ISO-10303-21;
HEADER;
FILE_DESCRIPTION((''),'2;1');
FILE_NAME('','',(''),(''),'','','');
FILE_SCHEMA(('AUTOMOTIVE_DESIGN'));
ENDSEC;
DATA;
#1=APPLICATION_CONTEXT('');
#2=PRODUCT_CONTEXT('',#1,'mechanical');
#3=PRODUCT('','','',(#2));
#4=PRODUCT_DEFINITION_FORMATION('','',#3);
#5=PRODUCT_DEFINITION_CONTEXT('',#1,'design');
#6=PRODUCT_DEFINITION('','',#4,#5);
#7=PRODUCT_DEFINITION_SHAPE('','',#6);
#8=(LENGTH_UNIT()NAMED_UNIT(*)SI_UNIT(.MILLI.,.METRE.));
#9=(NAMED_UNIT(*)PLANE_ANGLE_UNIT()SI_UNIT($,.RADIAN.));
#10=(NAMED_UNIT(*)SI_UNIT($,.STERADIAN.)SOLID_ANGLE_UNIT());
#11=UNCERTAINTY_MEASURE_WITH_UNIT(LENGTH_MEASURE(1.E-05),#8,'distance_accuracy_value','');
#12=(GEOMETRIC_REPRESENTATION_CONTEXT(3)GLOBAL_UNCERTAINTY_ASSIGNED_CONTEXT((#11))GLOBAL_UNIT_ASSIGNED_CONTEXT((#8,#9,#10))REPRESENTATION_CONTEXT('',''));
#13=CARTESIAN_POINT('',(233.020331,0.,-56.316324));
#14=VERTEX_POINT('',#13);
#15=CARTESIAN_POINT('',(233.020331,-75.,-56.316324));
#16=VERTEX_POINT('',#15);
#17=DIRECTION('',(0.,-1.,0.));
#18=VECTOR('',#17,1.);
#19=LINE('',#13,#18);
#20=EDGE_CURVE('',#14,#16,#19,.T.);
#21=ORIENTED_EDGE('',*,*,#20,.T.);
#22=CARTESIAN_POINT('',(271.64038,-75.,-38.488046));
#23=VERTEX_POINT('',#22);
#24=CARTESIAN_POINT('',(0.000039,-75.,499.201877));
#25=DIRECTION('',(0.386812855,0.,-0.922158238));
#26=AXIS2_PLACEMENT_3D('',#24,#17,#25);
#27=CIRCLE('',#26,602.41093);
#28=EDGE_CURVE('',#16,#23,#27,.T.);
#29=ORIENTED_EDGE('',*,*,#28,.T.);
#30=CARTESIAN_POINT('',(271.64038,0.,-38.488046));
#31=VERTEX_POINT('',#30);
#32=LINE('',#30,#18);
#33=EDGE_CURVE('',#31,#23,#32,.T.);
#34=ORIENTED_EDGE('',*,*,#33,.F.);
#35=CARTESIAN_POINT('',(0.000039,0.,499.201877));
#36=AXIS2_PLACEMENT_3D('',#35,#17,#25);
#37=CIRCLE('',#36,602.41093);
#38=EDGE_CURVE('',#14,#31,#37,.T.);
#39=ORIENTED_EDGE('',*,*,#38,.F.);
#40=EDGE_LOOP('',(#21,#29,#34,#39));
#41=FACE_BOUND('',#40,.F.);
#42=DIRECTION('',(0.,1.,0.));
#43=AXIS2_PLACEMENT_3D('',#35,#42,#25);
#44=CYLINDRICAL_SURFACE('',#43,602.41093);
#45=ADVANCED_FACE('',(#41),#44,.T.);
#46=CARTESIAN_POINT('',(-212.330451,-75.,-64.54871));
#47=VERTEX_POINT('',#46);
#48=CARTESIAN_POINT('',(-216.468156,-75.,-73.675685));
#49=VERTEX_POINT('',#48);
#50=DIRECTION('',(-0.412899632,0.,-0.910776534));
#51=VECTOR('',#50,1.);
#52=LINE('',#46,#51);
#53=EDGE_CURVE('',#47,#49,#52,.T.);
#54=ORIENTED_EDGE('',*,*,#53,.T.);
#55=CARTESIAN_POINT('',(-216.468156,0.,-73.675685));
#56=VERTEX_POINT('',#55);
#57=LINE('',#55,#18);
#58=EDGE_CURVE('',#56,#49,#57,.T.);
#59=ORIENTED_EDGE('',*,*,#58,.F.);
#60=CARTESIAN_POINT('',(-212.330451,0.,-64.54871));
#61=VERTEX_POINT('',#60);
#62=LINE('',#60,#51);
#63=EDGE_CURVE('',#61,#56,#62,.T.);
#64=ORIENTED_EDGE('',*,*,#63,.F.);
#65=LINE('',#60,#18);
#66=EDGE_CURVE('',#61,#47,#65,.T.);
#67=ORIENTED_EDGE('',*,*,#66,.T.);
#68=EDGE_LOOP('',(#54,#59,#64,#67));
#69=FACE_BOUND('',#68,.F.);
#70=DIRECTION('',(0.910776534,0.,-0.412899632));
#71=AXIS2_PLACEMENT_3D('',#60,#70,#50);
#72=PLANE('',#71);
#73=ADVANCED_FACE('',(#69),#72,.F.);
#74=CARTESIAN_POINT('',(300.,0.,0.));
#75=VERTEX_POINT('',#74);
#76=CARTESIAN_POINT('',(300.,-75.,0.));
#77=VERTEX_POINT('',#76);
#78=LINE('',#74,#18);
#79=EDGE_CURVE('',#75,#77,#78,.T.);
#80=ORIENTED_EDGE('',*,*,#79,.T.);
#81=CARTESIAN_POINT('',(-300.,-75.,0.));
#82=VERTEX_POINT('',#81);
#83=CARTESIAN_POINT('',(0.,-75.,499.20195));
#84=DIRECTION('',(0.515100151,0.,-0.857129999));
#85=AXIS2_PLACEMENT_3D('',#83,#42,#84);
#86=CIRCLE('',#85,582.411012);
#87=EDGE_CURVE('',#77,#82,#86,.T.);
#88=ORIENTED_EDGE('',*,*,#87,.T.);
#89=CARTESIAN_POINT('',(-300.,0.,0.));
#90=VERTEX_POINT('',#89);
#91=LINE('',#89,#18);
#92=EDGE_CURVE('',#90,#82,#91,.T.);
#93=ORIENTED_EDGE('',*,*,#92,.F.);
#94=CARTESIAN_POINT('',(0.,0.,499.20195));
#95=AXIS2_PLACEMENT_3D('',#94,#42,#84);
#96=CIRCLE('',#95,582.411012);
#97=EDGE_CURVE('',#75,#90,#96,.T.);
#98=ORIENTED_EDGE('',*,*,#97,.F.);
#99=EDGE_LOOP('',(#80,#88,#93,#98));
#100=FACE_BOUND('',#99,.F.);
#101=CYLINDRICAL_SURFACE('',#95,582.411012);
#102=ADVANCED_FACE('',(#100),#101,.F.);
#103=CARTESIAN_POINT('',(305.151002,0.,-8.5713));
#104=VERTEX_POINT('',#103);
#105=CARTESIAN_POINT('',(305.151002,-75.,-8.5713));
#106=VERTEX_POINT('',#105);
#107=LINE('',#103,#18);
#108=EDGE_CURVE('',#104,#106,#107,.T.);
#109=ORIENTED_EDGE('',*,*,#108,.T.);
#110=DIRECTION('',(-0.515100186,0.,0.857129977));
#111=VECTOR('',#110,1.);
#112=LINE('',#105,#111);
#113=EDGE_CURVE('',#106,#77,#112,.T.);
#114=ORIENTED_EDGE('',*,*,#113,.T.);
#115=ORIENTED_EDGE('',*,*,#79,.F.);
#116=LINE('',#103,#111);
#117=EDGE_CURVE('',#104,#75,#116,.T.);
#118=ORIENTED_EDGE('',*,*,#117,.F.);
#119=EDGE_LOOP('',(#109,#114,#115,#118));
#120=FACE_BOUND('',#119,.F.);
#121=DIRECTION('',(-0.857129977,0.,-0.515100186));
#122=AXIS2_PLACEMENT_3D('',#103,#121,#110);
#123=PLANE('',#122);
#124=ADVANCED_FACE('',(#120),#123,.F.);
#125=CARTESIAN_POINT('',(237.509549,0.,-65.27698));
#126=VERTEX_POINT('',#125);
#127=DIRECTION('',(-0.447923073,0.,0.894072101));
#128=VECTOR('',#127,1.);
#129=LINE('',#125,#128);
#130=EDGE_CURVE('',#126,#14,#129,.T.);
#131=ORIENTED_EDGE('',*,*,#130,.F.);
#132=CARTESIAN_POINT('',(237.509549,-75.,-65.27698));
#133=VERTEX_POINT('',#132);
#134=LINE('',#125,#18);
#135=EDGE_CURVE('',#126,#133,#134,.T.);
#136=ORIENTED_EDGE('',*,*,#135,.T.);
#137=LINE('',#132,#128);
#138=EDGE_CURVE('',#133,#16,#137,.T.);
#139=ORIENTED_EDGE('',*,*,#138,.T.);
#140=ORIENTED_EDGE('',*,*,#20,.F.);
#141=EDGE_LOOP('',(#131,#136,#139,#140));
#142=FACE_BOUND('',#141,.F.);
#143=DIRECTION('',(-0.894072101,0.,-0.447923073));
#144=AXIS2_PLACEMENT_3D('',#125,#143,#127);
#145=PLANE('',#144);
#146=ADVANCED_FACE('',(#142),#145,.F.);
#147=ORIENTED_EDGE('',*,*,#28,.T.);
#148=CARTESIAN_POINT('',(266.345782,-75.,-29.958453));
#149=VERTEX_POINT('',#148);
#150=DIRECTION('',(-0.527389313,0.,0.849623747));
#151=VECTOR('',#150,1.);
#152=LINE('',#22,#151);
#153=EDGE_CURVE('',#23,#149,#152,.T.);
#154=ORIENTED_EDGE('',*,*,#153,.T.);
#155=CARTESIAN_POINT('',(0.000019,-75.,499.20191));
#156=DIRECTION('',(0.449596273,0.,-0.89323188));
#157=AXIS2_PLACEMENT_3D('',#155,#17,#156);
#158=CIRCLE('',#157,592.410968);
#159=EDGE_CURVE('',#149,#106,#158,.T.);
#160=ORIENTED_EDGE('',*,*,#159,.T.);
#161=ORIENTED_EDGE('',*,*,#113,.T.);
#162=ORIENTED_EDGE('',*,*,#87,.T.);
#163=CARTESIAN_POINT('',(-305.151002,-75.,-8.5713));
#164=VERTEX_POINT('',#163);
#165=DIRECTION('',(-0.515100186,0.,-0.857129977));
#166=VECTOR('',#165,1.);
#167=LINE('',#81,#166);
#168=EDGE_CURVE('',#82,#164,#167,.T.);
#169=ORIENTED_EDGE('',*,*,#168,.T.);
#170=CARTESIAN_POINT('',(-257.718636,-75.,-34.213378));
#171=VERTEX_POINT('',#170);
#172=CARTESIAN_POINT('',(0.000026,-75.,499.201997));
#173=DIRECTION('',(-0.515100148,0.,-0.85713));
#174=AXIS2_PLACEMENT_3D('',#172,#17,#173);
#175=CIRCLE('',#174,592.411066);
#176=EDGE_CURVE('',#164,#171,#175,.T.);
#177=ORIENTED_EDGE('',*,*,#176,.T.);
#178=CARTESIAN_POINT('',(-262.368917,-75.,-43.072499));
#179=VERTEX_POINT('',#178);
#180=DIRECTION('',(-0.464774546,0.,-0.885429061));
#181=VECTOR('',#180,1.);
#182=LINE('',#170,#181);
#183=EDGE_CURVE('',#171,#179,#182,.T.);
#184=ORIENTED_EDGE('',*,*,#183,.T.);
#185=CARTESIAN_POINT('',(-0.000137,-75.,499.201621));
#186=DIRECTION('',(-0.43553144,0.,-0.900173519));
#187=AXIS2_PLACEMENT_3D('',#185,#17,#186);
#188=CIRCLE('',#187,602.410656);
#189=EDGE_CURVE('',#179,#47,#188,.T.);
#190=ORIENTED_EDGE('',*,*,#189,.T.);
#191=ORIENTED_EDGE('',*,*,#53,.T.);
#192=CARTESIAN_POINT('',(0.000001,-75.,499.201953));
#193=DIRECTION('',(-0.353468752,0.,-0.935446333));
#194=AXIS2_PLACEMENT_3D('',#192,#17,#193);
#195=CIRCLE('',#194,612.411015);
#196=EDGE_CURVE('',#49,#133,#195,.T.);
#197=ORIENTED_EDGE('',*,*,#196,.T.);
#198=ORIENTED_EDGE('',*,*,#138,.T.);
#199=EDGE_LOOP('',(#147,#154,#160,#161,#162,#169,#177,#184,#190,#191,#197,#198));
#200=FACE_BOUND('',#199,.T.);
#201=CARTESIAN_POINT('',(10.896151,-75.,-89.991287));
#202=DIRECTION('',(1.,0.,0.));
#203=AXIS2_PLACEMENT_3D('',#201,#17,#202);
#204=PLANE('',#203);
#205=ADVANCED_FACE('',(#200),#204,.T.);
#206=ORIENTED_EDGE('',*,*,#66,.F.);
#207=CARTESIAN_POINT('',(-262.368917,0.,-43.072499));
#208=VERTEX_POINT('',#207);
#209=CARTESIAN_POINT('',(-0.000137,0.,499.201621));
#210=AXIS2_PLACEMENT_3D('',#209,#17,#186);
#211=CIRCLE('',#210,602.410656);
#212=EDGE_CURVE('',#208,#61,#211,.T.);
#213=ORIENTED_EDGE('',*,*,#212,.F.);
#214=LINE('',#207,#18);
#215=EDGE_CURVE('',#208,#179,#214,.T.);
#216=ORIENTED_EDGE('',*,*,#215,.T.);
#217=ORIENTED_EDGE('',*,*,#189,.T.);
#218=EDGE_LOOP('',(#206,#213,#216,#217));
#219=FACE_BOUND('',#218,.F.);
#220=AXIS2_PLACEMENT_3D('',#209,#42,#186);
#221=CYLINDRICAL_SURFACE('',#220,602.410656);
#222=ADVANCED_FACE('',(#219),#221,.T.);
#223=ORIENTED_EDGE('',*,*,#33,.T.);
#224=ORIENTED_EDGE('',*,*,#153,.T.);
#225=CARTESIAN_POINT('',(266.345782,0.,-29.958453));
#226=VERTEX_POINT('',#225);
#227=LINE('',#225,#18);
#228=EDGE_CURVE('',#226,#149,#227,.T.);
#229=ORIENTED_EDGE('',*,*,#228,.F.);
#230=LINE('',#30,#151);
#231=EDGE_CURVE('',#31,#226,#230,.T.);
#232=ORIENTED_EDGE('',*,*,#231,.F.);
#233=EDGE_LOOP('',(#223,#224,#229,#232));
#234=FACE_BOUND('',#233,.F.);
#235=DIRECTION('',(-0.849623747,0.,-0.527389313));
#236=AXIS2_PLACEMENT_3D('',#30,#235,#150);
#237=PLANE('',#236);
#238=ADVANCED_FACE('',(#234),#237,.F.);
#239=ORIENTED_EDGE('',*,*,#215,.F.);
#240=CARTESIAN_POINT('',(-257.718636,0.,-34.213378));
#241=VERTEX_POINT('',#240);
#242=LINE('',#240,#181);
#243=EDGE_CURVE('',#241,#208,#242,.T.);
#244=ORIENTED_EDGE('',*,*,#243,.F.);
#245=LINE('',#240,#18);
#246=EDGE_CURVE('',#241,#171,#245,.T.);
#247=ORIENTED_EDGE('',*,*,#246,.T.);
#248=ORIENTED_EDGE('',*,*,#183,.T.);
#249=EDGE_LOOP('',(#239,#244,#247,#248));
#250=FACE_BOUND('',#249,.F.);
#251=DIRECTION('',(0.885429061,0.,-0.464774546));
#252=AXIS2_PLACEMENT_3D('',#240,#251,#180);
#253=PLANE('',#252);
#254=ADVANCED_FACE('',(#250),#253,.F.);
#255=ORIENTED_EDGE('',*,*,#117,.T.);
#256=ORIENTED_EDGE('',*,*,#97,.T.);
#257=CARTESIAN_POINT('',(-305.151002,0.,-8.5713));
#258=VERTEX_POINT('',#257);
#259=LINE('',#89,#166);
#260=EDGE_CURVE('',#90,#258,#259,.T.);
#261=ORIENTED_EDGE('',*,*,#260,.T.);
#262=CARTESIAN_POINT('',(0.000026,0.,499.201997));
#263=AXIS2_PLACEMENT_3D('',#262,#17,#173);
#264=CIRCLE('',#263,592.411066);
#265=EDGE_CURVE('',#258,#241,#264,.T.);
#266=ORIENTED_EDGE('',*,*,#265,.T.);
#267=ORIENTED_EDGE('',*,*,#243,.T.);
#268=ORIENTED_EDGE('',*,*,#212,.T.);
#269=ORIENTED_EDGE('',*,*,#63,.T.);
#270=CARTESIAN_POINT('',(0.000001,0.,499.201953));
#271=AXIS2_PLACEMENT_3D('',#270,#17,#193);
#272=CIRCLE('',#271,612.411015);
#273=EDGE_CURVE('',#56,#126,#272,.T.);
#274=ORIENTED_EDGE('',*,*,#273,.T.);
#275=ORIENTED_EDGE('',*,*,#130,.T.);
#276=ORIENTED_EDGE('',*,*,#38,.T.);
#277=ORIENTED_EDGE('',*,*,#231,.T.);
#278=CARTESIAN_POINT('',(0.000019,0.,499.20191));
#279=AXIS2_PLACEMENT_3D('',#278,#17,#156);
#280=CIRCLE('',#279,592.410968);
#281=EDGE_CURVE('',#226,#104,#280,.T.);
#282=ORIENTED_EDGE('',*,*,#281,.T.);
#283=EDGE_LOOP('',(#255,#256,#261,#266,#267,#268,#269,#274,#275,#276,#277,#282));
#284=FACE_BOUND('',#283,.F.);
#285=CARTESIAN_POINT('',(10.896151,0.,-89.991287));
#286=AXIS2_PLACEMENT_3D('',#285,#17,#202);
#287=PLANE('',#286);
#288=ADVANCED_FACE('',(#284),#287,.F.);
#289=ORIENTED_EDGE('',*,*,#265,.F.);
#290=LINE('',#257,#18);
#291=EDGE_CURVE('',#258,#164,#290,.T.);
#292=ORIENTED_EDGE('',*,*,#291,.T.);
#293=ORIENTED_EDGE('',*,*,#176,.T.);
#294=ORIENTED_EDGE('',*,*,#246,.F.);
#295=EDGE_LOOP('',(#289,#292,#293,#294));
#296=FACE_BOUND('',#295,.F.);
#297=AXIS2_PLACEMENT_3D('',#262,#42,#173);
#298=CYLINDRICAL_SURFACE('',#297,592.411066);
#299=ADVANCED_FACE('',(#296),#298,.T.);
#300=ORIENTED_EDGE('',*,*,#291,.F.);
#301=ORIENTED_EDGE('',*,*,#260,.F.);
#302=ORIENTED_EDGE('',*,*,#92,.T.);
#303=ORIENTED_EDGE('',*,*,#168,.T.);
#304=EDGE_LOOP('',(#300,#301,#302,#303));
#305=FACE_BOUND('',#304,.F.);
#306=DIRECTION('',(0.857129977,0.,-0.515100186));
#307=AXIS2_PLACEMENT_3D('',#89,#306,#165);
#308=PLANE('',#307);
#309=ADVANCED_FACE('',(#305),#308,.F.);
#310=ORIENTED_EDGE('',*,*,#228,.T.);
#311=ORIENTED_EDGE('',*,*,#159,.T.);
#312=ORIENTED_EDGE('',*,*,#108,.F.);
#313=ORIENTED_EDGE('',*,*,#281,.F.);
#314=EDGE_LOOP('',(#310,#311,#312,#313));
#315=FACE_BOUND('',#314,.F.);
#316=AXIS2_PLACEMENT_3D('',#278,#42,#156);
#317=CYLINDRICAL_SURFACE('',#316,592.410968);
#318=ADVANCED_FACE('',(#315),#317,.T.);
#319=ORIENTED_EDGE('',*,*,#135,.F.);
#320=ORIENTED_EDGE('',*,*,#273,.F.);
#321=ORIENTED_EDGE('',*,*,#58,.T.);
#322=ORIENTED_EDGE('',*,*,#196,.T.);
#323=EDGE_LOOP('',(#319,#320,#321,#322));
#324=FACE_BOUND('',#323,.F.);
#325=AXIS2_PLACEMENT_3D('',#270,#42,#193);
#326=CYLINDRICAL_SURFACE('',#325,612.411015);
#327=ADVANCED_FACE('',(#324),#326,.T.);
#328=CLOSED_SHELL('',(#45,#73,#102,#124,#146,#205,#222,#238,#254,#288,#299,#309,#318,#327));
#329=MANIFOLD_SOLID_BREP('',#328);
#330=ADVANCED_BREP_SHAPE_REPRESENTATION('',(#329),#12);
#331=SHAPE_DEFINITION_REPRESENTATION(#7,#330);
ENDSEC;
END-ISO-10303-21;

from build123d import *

# Parameters (mm, degrees)
F1_DEPTH = 75


with BuildPart() as f1:
    # F0 (on Front) → F1 (new body)
    with BuildSketch(Plane.XZ):
        with BuildLine():
            ThreePointArc((233.020331, -56.316324), (11.13377, -103.106166), (-212.330451, -64.54871))
            Line((-212.330451, -64.54871), (-216.468156, -73.675685))
            ThreePointArc((-216.468156, -73.675685), (11.327825, -113.104287), (237.509549, -65.27698))
            Line((237.509549, -65.27698), (233.020331, -56.316324))
        make_face()
        with BuildLine():
            ThreePointArc((266.345782, -29.958453), (4.809679, -93.189537), (-257.718636, -34.213378))
            Line((-257.718636, -34.213378), (-262.368917, -43.072499))
            ThreePointArc((-262.368917, -43.072499), (-237.592465, -54.376272), (-212.330451, -64.54871))
            ThreePointArc((-212.330451, -64.54871), (11.13377, -103.106166), (233.020331, -56.316324))
            ThreePointArc((233.020331, -56.316324), (252.487762, -47.743164), (271.64038, -38.488046))
            Line((271.64038, -38.488046), (266.345782, -29.958453))
        make_face()
        with BuildLine():
            ThreePointArc((300, 0), (0, -83.209062), (-300, 0))
            Line((-300, 0), (-305.151002, -8.5713))
            ThreePointArc((-305.151002, -8.5713), (-281.726705, -21.932266), (-257.718636, -34.213378))
            ThreePointArc((-257.718636, -34.213378), (4.809679, -93.189537), (266.345782, -29.958453))
            ThreePointArc((266.345782, -29.958453), (285.948415, -19.627802), (305.151002, -8.5713))
            Line((305.151002, -8.5713), (300, 0))
        make_face()
    extrude(amount=F1_DEPTH)


solid = f1.part
